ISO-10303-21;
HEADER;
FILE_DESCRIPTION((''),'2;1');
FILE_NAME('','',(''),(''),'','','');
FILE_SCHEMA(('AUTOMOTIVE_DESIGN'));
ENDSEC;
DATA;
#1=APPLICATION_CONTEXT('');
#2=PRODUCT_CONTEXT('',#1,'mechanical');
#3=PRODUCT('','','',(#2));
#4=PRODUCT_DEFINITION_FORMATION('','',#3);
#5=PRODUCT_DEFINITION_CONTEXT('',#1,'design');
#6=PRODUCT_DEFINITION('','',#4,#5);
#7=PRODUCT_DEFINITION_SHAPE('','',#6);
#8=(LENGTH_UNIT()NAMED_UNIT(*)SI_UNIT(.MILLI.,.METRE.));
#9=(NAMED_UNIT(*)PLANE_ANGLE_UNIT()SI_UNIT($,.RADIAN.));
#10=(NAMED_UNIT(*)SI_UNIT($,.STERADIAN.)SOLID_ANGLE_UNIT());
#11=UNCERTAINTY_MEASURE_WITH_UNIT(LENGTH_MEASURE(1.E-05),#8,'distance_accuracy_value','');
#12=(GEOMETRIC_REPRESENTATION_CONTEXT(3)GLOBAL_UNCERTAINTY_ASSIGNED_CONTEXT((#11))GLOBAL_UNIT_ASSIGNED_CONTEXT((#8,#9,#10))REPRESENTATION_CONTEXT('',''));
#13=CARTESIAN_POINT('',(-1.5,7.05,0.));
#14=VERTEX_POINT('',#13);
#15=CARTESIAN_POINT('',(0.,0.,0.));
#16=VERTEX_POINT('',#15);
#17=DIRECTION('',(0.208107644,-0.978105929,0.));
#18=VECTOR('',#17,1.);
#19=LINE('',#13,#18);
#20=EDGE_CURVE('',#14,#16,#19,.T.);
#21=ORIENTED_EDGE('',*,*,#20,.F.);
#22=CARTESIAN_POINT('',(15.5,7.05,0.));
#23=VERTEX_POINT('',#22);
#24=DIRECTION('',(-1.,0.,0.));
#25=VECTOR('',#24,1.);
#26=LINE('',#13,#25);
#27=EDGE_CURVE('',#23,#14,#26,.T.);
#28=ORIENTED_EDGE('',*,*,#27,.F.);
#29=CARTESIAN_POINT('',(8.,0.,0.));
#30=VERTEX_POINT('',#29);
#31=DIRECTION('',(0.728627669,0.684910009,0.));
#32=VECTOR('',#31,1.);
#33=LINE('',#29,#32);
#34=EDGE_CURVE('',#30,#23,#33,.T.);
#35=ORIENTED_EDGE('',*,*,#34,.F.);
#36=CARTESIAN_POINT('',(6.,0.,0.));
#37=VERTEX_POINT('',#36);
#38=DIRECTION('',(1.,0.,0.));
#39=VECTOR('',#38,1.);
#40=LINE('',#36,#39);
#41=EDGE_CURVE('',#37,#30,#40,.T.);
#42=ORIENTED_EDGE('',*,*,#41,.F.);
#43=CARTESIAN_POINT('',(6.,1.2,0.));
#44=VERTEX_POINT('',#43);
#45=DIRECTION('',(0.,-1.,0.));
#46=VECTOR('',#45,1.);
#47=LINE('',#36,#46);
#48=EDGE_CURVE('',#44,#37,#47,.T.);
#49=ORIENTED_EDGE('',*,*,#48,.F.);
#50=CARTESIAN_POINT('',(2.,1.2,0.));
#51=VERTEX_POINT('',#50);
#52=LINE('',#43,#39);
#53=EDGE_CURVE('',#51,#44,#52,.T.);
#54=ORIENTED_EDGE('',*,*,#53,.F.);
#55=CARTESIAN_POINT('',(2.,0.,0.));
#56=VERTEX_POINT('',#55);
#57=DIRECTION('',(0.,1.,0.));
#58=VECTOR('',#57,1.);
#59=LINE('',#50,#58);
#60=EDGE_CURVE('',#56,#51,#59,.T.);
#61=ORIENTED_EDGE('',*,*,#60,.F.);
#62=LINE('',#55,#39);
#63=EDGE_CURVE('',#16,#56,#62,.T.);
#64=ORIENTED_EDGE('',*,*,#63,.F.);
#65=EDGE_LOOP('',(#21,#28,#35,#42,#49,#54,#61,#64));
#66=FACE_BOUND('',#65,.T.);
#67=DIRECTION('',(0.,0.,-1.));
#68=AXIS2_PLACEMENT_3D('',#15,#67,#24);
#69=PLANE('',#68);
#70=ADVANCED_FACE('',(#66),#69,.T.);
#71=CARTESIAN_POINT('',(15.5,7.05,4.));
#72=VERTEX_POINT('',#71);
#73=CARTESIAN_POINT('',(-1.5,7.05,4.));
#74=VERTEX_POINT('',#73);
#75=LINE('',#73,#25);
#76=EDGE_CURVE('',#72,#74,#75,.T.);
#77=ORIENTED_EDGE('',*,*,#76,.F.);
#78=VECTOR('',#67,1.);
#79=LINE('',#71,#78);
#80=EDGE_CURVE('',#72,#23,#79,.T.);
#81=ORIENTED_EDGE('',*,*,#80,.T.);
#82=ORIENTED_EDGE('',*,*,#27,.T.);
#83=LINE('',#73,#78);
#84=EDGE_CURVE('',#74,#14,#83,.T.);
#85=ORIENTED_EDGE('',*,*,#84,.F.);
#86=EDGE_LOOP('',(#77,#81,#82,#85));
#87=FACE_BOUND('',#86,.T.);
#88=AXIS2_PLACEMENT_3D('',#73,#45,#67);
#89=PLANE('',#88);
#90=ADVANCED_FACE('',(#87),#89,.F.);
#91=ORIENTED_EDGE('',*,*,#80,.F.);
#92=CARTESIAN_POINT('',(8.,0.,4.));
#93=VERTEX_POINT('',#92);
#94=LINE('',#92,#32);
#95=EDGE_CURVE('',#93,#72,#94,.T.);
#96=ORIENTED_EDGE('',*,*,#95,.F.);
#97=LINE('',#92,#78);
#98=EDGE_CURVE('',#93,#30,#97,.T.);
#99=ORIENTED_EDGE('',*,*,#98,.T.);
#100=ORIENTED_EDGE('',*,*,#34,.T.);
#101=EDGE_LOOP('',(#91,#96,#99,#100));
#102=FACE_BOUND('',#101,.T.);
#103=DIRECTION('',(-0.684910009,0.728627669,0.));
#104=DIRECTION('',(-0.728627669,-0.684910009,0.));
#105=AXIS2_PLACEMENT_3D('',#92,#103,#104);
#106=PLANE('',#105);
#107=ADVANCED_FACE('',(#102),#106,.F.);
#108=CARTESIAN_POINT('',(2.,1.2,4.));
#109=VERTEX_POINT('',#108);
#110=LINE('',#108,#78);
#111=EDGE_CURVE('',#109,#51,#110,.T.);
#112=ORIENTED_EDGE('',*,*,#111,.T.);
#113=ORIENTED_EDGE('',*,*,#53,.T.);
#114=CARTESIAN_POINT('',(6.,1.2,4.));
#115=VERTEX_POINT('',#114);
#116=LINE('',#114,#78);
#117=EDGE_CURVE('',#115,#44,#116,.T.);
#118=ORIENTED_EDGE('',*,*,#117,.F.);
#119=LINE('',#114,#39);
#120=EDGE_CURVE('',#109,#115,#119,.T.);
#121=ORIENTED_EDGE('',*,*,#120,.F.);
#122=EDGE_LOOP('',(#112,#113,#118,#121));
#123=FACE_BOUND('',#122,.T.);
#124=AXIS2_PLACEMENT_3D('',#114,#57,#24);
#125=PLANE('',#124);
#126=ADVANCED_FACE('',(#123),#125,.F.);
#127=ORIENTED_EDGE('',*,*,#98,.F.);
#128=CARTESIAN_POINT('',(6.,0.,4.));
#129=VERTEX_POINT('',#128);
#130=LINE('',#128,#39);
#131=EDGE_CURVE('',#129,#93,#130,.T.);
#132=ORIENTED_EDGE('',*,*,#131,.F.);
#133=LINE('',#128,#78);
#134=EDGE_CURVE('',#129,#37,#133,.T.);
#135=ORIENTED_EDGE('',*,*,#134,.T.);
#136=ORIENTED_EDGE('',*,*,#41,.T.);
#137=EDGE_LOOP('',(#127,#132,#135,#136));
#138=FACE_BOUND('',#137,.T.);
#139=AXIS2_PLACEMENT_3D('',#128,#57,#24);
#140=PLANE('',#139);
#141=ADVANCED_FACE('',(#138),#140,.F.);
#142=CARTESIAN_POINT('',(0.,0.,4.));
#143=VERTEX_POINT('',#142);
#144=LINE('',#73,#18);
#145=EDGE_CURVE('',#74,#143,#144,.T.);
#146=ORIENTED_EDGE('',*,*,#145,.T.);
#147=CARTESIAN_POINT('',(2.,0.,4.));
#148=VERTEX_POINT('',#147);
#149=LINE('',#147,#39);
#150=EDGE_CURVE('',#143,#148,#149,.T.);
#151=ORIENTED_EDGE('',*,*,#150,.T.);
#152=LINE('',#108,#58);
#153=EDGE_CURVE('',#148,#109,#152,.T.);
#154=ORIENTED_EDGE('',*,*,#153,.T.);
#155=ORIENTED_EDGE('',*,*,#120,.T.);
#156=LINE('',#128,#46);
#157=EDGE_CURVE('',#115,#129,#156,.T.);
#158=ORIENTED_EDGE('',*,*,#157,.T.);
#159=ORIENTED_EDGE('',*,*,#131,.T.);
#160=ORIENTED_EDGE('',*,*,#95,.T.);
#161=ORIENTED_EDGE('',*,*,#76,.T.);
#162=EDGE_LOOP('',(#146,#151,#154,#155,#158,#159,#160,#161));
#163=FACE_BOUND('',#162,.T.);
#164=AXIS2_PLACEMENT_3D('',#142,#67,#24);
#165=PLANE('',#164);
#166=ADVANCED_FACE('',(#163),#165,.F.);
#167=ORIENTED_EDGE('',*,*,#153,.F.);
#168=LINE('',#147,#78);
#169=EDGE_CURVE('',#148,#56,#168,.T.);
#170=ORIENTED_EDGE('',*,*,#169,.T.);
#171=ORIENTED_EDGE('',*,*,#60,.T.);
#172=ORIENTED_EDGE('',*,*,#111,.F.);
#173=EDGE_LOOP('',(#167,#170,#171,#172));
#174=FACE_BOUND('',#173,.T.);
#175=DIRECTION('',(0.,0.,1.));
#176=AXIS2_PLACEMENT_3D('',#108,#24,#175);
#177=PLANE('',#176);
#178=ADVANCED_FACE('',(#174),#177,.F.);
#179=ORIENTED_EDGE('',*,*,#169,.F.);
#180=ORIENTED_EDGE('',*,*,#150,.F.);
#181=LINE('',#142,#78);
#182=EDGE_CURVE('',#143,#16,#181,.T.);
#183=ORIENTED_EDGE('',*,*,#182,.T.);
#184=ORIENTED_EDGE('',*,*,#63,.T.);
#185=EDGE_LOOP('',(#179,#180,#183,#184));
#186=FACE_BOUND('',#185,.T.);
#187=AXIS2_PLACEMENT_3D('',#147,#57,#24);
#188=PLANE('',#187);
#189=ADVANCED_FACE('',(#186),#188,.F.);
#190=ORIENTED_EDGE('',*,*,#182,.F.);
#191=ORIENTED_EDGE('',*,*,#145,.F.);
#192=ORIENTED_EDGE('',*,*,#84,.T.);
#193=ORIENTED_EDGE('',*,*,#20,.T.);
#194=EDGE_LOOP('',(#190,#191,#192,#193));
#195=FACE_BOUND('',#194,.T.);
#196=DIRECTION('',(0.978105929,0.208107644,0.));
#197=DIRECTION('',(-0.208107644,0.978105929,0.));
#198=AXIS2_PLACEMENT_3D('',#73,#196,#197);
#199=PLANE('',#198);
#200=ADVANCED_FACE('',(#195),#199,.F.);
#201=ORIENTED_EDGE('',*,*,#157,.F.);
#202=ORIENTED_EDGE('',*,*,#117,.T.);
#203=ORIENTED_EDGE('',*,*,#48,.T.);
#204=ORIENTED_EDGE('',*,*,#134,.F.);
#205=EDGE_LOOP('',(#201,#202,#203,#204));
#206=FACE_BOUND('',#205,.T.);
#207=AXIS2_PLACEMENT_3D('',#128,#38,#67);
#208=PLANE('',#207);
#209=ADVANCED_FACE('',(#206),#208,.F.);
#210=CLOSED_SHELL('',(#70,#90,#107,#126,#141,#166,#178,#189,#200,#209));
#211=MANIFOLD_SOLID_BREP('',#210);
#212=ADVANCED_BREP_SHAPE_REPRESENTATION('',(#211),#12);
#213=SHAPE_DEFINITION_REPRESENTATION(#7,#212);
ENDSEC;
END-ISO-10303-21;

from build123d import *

# Parameters (mm, degrees)
ESTRUSIONE_ESTRUSIONE1_DEPTH = 4


with BuildPart() as part:
    # Schizzo1 → Estrusione-Estrusione1 (new body)
    with BuildSketch(Plane.XY):
        Polygon((-1.5, 7.05), (15.5, 7.05), (8, 0), (6, 0), (6, 1.2), (2, 1.2), (2, 0), (0, 0), align=None)
    extrude(amount=ESTRUSIONE_ESTRUSIONE1_DEPTH)


solid = part.part
